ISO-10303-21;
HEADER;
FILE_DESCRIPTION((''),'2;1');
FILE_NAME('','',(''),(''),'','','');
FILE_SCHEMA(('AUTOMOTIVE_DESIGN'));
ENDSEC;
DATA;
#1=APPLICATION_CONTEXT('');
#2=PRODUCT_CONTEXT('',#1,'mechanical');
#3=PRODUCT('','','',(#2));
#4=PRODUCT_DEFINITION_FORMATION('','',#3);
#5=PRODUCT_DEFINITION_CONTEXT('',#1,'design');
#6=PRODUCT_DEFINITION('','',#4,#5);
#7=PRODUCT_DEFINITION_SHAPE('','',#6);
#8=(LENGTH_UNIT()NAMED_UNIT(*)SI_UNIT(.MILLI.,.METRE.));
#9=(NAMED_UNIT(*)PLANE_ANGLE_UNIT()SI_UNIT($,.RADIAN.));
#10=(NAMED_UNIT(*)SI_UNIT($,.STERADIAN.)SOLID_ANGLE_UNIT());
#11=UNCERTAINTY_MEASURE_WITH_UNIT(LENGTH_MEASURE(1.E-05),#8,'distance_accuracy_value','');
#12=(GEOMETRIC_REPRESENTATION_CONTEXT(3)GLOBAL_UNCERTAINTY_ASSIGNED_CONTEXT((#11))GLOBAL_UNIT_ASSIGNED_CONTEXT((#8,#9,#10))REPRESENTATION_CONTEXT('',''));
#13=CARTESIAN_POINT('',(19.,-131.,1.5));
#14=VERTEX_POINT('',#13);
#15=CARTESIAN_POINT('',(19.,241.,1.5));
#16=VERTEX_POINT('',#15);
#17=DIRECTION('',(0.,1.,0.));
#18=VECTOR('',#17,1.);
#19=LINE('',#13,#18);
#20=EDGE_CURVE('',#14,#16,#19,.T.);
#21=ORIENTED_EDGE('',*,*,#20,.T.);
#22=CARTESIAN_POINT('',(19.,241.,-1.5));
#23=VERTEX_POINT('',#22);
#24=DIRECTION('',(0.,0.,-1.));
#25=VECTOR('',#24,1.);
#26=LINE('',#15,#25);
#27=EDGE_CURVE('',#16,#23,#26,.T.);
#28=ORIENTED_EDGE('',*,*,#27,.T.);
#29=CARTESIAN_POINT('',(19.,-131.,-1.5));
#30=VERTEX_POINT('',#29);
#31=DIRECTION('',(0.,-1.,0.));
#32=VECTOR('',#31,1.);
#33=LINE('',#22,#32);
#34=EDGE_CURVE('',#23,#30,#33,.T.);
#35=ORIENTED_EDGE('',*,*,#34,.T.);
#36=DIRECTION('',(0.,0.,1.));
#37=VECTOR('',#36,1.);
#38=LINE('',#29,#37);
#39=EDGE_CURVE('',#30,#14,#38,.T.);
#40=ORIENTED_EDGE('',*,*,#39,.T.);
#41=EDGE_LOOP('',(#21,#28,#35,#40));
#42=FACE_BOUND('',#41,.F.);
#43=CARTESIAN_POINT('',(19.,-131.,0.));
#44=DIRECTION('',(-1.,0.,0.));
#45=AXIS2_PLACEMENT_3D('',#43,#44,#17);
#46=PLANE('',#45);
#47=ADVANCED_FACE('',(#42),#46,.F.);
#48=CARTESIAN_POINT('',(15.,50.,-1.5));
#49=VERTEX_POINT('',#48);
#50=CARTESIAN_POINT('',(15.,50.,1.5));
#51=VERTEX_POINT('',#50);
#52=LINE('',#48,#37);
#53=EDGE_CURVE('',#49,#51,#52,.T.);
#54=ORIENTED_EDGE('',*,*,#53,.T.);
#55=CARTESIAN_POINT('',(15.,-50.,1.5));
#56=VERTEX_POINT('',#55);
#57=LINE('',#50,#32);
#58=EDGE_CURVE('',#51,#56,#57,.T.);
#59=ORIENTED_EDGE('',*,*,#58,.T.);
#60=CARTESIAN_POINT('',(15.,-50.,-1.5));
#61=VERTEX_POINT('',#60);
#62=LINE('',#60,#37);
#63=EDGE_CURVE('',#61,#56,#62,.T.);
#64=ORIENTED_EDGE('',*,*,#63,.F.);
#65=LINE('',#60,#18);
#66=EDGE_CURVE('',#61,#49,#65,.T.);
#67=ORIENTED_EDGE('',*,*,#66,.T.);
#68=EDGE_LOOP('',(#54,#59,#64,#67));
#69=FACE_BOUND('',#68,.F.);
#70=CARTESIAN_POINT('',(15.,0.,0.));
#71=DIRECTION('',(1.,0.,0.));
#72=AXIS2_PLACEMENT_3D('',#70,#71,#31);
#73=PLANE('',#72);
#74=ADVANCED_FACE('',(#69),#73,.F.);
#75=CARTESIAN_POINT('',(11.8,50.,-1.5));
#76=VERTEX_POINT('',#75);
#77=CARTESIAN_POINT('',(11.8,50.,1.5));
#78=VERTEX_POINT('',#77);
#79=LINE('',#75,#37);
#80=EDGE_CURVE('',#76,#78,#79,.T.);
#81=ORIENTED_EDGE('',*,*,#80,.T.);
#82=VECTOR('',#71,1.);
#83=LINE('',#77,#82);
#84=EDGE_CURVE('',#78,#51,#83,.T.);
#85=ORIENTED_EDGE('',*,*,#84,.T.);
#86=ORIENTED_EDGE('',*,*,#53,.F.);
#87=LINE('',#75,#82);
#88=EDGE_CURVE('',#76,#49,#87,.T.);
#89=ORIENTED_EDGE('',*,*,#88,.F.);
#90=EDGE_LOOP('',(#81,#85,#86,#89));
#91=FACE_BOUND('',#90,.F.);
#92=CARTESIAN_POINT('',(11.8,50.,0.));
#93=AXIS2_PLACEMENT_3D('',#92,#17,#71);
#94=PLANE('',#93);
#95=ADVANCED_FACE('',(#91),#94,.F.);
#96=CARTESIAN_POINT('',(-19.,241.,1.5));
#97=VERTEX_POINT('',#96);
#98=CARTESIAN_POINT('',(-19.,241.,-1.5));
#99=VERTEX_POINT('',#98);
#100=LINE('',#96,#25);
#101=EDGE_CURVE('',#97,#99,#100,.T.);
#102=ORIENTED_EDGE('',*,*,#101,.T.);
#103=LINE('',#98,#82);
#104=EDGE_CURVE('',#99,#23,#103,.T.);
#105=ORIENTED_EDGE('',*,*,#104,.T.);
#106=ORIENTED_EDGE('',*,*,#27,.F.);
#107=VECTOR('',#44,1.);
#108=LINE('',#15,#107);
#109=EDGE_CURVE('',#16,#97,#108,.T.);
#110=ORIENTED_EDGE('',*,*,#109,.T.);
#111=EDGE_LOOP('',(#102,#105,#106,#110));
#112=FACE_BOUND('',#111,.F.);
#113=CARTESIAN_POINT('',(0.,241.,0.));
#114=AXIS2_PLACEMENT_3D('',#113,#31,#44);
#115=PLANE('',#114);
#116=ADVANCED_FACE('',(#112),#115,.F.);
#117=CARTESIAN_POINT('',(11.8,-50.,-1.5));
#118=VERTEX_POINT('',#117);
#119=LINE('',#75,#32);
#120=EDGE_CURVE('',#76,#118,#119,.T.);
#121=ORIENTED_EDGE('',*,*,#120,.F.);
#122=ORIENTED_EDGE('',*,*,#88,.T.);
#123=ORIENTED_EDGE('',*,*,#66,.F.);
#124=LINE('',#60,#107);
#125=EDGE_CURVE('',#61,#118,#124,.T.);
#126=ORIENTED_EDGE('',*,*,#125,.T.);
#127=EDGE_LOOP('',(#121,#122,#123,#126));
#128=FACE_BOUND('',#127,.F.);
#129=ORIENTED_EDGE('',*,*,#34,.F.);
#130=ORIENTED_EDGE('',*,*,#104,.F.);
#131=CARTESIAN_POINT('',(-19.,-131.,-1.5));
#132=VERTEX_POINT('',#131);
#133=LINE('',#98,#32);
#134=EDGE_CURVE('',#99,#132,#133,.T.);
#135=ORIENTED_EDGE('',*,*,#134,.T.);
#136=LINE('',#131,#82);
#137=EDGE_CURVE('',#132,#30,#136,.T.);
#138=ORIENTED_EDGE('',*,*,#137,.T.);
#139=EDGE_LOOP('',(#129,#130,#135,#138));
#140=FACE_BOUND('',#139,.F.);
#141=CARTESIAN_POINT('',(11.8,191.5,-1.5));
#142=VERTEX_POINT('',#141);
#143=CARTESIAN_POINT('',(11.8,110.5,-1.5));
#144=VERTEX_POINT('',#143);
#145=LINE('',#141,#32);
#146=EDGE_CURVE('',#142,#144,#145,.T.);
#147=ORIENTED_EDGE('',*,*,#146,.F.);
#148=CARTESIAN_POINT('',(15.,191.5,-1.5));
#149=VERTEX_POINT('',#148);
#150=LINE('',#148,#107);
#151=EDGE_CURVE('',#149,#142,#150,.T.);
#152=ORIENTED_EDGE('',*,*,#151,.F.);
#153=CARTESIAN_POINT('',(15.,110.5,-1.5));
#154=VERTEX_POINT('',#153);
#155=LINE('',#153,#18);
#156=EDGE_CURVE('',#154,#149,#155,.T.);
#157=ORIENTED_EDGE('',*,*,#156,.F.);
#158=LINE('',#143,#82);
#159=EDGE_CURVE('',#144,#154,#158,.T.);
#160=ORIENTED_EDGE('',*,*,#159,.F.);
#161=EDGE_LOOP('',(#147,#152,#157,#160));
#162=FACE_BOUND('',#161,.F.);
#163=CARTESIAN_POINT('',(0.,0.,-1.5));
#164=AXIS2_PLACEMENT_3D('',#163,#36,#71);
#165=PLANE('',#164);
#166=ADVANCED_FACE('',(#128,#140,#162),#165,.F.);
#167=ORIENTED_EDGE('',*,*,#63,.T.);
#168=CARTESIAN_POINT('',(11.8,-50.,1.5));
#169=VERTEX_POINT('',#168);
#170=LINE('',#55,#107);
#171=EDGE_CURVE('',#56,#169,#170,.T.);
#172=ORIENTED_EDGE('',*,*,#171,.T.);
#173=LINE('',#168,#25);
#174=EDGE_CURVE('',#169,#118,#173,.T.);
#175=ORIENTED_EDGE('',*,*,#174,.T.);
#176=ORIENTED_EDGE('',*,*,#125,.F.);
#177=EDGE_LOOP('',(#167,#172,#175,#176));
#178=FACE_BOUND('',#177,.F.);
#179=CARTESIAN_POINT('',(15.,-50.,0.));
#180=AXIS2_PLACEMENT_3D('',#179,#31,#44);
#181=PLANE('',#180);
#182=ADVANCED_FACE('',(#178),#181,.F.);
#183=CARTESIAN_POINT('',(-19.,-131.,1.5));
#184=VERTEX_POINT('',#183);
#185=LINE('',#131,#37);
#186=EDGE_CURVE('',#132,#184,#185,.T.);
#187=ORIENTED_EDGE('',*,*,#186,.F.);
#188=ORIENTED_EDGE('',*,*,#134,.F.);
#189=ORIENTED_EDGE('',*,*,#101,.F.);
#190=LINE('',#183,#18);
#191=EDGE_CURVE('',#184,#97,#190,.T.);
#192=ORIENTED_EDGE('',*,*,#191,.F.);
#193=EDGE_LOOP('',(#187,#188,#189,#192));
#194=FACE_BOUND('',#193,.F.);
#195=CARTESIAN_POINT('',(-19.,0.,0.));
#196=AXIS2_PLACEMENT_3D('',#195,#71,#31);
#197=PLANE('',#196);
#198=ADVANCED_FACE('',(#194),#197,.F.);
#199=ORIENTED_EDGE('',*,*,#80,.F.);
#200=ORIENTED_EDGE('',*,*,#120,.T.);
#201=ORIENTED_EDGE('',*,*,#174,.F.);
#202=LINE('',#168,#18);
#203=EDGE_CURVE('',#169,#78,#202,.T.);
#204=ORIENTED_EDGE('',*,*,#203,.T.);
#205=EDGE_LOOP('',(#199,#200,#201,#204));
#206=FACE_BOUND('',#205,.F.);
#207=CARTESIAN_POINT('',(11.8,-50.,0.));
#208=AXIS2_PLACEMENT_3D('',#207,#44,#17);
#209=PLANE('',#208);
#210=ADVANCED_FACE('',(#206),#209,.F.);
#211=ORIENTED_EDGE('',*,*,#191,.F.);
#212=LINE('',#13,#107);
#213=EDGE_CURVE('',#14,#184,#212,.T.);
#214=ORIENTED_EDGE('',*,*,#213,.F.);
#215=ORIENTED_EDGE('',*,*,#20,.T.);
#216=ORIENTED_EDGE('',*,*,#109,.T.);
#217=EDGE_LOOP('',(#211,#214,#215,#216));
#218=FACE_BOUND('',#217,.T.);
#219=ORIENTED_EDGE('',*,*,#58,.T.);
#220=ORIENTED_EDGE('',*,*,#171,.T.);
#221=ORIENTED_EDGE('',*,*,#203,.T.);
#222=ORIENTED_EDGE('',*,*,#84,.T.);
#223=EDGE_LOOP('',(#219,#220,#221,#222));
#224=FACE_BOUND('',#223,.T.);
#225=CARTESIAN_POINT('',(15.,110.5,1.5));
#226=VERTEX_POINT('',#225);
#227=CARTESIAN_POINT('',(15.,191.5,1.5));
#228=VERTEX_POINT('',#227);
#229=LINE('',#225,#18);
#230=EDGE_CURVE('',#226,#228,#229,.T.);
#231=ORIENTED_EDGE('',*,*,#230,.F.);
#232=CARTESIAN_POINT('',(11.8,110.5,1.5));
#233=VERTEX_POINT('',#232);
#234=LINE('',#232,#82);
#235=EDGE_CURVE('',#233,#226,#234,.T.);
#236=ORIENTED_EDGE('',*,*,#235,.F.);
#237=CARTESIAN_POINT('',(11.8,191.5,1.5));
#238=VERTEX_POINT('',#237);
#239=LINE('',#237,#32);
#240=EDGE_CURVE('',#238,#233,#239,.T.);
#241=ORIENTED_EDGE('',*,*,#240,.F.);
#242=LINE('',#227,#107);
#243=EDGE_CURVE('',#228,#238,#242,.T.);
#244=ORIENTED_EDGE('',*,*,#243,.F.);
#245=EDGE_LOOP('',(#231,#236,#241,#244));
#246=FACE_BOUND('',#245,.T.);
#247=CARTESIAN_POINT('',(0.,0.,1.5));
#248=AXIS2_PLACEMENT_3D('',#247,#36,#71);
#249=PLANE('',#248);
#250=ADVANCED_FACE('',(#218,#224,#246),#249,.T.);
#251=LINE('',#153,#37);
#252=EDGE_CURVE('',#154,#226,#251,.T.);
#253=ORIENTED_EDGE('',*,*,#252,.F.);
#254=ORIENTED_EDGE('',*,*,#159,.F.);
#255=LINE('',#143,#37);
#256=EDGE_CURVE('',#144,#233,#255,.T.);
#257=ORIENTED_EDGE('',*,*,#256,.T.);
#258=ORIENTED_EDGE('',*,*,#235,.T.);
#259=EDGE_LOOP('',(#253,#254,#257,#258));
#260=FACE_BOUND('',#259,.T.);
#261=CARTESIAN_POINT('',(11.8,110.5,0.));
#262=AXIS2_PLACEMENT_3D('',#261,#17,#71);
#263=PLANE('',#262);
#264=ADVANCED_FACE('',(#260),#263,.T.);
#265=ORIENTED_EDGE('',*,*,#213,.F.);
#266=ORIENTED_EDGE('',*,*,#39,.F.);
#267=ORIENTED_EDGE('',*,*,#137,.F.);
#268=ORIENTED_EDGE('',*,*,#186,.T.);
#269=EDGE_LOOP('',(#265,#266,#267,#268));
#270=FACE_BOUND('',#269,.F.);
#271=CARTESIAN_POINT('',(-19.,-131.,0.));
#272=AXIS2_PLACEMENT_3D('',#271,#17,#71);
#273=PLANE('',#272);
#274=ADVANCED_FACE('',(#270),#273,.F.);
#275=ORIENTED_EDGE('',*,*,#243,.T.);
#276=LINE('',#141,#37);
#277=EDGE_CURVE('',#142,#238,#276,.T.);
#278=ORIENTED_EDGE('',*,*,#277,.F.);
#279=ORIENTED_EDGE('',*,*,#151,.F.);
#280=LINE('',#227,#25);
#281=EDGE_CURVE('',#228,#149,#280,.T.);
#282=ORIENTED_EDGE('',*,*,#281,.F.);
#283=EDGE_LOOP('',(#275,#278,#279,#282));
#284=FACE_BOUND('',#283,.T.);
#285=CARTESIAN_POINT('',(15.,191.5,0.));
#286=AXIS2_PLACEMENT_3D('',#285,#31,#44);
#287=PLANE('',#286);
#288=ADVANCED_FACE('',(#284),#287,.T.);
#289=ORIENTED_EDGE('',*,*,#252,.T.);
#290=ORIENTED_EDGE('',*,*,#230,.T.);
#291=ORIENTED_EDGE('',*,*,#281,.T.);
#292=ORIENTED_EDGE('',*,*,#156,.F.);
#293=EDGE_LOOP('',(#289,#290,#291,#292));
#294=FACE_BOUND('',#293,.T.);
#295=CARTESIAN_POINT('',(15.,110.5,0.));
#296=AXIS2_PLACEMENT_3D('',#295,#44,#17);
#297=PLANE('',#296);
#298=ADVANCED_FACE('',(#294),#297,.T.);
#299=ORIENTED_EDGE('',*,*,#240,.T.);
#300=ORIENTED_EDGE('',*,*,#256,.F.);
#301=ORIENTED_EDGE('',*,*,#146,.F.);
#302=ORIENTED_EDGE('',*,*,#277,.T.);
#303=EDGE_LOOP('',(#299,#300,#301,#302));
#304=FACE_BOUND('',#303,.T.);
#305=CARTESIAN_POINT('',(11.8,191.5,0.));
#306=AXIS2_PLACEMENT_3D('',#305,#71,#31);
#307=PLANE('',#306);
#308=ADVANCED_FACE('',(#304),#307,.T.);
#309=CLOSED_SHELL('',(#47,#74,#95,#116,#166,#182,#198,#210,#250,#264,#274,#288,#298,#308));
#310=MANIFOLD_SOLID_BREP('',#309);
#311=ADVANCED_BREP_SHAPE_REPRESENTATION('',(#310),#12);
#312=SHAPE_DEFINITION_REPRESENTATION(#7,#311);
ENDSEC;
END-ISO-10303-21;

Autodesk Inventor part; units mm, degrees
ref_plane "YZ Plane" through (0, 0, 0) normal (1, 0, 0) x (0, 1, 0)
ref_plane "XZ Plane" through (0, 0, 0) normal (0, 1, 0) x (-1, 0, 0)
ref_plane "XY Plane" through (0, 0, 0) normal (0, 0, 1) x (1, 0, 0)
sketch "Sketch1" plane through (0, 0, 0) normal (0, 0, 1) x (1, 0, 0)
  line L0 (-19, -241) -> (19, -241)
  line L1 (19, -241) -> (19, 241)
  line L2 (19, 241) -> (-19, 241)
  line L3 (-19, 241) -> (-19, -241)
  line L4 (-19, -241) -> (19, 241) construction
  line L5 (19, -241) -> (-19, 241) construction
  line L6 (15, 191.5) -> (11.8, 191.5)
  line L7 (11.8, 191.5) -> (11.8, 110.5)
  line L8 (11.8, 110.5) -> (15, 110.5)
  line L9 (15, 110.5) -> (15, 191.5)
  line L10 (-19, 0) -> (19, 0)
  line L11 (0, 241) -> (0, -241)
  line L12 (11.8, 50) -> (15, 50)
  line L13 (15, 50) -> (15, -50)
  line L14 (15, -50) -> (11.8, -50)
  line L15 (11.8, -50) -> (11.8, 50)
  line L16 (-19, -131) -> (19, -131)
  point P0 (0, 0)
  point P1 (11.8, 0)
  point P2 (0, 0)
  dimension "d0" = 38
  dimension "d1" = 482
  dimension "d2" = 81
  dimension "d3" = 49.5
  dimension "d4" = 4
  dimension "d5" = 3.2
  dimension "d6" = 3.2
  dimension "d7" = 100
  dimension "d8" = 4
  dimension "d10" = 110
extrude "Plate1" add sketch "Sketch1" along normal mid plane 3 contours L3 L10 L11 L16 | L11 L10 L15 L14 L13 L1 L16 | L3 L2 L11 L10 | L11 L2 L1 L10 L13 L12 L15
equation "\"d9\" = Thickness"
equation "\"BendRadius\" = Thickness"
equation "\"BendReliefWidth\" = Thickness"
equation "\"BendReliefDepth\" = 0.5 * Thickness"
equation "\"CornerReliefSize\" = 4 * Thickness"
equation "\"MinimumRemnant\" = 2 * Thickness"
equation "\"TransitionRadius\" = BendRadius"
equation "\"JacobiRadiusSize\" = BendRadius"
equation "\"GapSize\" = Thickness"
equation "\"Thickness\" = 3"
properties part number "Path Side Wall"
